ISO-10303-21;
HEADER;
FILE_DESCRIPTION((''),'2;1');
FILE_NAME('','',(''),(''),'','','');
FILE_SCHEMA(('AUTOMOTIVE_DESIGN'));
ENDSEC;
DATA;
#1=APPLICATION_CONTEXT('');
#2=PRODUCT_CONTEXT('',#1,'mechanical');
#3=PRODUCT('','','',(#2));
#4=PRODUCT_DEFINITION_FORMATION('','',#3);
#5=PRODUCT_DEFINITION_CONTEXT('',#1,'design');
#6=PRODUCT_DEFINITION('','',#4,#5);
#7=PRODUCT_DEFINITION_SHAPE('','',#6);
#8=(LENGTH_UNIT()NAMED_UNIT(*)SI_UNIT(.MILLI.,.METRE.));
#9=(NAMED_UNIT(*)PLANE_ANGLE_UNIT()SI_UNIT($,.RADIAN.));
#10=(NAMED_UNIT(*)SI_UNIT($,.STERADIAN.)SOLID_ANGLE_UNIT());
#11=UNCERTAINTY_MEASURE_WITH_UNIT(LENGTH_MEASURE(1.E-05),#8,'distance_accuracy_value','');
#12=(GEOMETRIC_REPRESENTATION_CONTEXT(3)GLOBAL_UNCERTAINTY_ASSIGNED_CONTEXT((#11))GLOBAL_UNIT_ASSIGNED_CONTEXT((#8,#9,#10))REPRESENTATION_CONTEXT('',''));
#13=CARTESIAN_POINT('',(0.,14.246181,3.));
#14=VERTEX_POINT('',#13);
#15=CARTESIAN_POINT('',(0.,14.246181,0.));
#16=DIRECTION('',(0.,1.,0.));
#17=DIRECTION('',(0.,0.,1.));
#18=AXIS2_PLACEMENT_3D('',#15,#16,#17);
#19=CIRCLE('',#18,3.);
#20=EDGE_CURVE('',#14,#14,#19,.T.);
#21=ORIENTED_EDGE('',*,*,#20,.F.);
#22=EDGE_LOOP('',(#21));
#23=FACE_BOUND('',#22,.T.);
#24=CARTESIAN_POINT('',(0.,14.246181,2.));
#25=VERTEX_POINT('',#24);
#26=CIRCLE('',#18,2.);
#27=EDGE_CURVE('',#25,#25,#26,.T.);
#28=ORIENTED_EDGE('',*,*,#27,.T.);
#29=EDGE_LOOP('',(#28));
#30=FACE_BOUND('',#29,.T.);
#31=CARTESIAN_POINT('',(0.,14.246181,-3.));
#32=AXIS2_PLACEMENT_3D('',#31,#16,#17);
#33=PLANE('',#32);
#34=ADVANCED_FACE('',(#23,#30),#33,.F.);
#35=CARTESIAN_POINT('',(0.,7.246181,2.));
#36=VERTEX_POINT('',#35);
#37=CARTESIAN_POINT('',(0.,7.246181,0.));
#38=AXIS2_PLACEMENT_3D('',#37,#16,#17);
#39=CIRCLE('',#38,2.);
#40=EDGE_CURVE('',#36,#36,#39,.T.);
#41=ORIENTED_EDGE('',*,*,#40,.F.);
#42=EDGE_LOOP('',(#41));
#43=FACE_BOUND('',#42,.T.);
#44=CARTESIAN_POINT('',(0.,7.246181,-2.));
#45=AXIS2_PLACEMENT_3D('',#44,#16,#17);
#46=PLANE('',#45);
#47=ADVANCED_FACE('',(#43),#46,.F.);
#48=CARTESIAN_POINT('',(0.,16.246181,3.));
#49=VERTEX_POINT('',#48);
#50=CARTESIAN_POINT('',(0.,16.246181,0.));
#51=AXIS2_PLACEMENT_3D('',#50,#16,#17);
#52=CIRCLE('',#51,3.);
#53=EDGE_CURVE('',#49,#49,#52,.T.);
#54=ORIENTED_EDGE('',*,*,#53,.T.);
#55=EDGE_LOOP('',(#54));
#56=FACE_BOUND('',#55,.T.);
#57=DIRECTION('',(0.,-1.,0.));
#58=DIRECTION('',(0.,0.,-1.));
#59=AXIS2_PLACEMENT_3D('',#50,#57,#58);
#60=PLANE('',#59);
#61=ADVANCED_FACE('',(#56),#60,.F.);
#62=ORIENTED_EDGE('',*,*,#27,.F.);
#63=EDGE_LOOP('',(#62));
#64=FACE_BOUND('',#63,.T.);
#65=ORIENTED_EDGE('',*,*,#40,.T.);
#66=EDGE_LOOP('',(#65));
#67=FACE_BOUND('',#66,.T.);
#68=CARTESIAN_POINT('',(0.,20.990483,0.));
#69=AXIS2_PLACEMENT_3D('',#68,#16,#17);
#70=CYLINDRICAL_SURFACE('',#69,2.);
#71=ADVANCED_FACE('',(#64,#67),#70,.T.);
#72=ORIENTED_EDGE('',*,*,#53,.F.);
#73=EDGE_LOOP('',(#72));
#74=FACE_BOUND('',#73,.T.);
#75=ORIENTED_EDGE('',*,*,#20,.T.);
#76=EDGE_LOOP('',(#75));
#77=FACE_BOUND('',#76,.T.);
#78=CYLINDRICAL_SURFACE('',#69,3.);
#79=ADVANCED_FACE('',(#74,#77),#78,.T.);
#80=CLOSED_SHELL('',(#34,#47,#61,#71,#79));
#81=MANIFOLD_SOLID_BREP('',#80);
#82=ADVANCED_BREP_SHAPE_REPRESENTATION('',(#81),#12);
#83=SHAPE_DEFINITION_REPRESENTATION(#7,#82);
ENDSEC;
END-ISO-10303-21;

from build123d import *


with BuildPart() as part:
    # 스케치1 → 회전1 (revolve)
    with BuildSketch(Plane(origin=(0, 0, 0), x_dir=(0, 0, -1), z_dir=(1, 0, 0)), mode=Mode.PRIVATE) as revolve_1_sk:
        Polygon((0, 16.246180973), (3, 16.246180973), (3, 14.246180973), (2, 14.246180973), (2, 7.246180973), (0, 7.246180973), align=None)
    revolve(revolve_1_sk.sketch.rotate(Axis((0, 20.990482646, 0), (0, -1, 0)), 180), axis=Axis((0, 20.990482646, 0), (0, -1, 0)))


solid = part.part
